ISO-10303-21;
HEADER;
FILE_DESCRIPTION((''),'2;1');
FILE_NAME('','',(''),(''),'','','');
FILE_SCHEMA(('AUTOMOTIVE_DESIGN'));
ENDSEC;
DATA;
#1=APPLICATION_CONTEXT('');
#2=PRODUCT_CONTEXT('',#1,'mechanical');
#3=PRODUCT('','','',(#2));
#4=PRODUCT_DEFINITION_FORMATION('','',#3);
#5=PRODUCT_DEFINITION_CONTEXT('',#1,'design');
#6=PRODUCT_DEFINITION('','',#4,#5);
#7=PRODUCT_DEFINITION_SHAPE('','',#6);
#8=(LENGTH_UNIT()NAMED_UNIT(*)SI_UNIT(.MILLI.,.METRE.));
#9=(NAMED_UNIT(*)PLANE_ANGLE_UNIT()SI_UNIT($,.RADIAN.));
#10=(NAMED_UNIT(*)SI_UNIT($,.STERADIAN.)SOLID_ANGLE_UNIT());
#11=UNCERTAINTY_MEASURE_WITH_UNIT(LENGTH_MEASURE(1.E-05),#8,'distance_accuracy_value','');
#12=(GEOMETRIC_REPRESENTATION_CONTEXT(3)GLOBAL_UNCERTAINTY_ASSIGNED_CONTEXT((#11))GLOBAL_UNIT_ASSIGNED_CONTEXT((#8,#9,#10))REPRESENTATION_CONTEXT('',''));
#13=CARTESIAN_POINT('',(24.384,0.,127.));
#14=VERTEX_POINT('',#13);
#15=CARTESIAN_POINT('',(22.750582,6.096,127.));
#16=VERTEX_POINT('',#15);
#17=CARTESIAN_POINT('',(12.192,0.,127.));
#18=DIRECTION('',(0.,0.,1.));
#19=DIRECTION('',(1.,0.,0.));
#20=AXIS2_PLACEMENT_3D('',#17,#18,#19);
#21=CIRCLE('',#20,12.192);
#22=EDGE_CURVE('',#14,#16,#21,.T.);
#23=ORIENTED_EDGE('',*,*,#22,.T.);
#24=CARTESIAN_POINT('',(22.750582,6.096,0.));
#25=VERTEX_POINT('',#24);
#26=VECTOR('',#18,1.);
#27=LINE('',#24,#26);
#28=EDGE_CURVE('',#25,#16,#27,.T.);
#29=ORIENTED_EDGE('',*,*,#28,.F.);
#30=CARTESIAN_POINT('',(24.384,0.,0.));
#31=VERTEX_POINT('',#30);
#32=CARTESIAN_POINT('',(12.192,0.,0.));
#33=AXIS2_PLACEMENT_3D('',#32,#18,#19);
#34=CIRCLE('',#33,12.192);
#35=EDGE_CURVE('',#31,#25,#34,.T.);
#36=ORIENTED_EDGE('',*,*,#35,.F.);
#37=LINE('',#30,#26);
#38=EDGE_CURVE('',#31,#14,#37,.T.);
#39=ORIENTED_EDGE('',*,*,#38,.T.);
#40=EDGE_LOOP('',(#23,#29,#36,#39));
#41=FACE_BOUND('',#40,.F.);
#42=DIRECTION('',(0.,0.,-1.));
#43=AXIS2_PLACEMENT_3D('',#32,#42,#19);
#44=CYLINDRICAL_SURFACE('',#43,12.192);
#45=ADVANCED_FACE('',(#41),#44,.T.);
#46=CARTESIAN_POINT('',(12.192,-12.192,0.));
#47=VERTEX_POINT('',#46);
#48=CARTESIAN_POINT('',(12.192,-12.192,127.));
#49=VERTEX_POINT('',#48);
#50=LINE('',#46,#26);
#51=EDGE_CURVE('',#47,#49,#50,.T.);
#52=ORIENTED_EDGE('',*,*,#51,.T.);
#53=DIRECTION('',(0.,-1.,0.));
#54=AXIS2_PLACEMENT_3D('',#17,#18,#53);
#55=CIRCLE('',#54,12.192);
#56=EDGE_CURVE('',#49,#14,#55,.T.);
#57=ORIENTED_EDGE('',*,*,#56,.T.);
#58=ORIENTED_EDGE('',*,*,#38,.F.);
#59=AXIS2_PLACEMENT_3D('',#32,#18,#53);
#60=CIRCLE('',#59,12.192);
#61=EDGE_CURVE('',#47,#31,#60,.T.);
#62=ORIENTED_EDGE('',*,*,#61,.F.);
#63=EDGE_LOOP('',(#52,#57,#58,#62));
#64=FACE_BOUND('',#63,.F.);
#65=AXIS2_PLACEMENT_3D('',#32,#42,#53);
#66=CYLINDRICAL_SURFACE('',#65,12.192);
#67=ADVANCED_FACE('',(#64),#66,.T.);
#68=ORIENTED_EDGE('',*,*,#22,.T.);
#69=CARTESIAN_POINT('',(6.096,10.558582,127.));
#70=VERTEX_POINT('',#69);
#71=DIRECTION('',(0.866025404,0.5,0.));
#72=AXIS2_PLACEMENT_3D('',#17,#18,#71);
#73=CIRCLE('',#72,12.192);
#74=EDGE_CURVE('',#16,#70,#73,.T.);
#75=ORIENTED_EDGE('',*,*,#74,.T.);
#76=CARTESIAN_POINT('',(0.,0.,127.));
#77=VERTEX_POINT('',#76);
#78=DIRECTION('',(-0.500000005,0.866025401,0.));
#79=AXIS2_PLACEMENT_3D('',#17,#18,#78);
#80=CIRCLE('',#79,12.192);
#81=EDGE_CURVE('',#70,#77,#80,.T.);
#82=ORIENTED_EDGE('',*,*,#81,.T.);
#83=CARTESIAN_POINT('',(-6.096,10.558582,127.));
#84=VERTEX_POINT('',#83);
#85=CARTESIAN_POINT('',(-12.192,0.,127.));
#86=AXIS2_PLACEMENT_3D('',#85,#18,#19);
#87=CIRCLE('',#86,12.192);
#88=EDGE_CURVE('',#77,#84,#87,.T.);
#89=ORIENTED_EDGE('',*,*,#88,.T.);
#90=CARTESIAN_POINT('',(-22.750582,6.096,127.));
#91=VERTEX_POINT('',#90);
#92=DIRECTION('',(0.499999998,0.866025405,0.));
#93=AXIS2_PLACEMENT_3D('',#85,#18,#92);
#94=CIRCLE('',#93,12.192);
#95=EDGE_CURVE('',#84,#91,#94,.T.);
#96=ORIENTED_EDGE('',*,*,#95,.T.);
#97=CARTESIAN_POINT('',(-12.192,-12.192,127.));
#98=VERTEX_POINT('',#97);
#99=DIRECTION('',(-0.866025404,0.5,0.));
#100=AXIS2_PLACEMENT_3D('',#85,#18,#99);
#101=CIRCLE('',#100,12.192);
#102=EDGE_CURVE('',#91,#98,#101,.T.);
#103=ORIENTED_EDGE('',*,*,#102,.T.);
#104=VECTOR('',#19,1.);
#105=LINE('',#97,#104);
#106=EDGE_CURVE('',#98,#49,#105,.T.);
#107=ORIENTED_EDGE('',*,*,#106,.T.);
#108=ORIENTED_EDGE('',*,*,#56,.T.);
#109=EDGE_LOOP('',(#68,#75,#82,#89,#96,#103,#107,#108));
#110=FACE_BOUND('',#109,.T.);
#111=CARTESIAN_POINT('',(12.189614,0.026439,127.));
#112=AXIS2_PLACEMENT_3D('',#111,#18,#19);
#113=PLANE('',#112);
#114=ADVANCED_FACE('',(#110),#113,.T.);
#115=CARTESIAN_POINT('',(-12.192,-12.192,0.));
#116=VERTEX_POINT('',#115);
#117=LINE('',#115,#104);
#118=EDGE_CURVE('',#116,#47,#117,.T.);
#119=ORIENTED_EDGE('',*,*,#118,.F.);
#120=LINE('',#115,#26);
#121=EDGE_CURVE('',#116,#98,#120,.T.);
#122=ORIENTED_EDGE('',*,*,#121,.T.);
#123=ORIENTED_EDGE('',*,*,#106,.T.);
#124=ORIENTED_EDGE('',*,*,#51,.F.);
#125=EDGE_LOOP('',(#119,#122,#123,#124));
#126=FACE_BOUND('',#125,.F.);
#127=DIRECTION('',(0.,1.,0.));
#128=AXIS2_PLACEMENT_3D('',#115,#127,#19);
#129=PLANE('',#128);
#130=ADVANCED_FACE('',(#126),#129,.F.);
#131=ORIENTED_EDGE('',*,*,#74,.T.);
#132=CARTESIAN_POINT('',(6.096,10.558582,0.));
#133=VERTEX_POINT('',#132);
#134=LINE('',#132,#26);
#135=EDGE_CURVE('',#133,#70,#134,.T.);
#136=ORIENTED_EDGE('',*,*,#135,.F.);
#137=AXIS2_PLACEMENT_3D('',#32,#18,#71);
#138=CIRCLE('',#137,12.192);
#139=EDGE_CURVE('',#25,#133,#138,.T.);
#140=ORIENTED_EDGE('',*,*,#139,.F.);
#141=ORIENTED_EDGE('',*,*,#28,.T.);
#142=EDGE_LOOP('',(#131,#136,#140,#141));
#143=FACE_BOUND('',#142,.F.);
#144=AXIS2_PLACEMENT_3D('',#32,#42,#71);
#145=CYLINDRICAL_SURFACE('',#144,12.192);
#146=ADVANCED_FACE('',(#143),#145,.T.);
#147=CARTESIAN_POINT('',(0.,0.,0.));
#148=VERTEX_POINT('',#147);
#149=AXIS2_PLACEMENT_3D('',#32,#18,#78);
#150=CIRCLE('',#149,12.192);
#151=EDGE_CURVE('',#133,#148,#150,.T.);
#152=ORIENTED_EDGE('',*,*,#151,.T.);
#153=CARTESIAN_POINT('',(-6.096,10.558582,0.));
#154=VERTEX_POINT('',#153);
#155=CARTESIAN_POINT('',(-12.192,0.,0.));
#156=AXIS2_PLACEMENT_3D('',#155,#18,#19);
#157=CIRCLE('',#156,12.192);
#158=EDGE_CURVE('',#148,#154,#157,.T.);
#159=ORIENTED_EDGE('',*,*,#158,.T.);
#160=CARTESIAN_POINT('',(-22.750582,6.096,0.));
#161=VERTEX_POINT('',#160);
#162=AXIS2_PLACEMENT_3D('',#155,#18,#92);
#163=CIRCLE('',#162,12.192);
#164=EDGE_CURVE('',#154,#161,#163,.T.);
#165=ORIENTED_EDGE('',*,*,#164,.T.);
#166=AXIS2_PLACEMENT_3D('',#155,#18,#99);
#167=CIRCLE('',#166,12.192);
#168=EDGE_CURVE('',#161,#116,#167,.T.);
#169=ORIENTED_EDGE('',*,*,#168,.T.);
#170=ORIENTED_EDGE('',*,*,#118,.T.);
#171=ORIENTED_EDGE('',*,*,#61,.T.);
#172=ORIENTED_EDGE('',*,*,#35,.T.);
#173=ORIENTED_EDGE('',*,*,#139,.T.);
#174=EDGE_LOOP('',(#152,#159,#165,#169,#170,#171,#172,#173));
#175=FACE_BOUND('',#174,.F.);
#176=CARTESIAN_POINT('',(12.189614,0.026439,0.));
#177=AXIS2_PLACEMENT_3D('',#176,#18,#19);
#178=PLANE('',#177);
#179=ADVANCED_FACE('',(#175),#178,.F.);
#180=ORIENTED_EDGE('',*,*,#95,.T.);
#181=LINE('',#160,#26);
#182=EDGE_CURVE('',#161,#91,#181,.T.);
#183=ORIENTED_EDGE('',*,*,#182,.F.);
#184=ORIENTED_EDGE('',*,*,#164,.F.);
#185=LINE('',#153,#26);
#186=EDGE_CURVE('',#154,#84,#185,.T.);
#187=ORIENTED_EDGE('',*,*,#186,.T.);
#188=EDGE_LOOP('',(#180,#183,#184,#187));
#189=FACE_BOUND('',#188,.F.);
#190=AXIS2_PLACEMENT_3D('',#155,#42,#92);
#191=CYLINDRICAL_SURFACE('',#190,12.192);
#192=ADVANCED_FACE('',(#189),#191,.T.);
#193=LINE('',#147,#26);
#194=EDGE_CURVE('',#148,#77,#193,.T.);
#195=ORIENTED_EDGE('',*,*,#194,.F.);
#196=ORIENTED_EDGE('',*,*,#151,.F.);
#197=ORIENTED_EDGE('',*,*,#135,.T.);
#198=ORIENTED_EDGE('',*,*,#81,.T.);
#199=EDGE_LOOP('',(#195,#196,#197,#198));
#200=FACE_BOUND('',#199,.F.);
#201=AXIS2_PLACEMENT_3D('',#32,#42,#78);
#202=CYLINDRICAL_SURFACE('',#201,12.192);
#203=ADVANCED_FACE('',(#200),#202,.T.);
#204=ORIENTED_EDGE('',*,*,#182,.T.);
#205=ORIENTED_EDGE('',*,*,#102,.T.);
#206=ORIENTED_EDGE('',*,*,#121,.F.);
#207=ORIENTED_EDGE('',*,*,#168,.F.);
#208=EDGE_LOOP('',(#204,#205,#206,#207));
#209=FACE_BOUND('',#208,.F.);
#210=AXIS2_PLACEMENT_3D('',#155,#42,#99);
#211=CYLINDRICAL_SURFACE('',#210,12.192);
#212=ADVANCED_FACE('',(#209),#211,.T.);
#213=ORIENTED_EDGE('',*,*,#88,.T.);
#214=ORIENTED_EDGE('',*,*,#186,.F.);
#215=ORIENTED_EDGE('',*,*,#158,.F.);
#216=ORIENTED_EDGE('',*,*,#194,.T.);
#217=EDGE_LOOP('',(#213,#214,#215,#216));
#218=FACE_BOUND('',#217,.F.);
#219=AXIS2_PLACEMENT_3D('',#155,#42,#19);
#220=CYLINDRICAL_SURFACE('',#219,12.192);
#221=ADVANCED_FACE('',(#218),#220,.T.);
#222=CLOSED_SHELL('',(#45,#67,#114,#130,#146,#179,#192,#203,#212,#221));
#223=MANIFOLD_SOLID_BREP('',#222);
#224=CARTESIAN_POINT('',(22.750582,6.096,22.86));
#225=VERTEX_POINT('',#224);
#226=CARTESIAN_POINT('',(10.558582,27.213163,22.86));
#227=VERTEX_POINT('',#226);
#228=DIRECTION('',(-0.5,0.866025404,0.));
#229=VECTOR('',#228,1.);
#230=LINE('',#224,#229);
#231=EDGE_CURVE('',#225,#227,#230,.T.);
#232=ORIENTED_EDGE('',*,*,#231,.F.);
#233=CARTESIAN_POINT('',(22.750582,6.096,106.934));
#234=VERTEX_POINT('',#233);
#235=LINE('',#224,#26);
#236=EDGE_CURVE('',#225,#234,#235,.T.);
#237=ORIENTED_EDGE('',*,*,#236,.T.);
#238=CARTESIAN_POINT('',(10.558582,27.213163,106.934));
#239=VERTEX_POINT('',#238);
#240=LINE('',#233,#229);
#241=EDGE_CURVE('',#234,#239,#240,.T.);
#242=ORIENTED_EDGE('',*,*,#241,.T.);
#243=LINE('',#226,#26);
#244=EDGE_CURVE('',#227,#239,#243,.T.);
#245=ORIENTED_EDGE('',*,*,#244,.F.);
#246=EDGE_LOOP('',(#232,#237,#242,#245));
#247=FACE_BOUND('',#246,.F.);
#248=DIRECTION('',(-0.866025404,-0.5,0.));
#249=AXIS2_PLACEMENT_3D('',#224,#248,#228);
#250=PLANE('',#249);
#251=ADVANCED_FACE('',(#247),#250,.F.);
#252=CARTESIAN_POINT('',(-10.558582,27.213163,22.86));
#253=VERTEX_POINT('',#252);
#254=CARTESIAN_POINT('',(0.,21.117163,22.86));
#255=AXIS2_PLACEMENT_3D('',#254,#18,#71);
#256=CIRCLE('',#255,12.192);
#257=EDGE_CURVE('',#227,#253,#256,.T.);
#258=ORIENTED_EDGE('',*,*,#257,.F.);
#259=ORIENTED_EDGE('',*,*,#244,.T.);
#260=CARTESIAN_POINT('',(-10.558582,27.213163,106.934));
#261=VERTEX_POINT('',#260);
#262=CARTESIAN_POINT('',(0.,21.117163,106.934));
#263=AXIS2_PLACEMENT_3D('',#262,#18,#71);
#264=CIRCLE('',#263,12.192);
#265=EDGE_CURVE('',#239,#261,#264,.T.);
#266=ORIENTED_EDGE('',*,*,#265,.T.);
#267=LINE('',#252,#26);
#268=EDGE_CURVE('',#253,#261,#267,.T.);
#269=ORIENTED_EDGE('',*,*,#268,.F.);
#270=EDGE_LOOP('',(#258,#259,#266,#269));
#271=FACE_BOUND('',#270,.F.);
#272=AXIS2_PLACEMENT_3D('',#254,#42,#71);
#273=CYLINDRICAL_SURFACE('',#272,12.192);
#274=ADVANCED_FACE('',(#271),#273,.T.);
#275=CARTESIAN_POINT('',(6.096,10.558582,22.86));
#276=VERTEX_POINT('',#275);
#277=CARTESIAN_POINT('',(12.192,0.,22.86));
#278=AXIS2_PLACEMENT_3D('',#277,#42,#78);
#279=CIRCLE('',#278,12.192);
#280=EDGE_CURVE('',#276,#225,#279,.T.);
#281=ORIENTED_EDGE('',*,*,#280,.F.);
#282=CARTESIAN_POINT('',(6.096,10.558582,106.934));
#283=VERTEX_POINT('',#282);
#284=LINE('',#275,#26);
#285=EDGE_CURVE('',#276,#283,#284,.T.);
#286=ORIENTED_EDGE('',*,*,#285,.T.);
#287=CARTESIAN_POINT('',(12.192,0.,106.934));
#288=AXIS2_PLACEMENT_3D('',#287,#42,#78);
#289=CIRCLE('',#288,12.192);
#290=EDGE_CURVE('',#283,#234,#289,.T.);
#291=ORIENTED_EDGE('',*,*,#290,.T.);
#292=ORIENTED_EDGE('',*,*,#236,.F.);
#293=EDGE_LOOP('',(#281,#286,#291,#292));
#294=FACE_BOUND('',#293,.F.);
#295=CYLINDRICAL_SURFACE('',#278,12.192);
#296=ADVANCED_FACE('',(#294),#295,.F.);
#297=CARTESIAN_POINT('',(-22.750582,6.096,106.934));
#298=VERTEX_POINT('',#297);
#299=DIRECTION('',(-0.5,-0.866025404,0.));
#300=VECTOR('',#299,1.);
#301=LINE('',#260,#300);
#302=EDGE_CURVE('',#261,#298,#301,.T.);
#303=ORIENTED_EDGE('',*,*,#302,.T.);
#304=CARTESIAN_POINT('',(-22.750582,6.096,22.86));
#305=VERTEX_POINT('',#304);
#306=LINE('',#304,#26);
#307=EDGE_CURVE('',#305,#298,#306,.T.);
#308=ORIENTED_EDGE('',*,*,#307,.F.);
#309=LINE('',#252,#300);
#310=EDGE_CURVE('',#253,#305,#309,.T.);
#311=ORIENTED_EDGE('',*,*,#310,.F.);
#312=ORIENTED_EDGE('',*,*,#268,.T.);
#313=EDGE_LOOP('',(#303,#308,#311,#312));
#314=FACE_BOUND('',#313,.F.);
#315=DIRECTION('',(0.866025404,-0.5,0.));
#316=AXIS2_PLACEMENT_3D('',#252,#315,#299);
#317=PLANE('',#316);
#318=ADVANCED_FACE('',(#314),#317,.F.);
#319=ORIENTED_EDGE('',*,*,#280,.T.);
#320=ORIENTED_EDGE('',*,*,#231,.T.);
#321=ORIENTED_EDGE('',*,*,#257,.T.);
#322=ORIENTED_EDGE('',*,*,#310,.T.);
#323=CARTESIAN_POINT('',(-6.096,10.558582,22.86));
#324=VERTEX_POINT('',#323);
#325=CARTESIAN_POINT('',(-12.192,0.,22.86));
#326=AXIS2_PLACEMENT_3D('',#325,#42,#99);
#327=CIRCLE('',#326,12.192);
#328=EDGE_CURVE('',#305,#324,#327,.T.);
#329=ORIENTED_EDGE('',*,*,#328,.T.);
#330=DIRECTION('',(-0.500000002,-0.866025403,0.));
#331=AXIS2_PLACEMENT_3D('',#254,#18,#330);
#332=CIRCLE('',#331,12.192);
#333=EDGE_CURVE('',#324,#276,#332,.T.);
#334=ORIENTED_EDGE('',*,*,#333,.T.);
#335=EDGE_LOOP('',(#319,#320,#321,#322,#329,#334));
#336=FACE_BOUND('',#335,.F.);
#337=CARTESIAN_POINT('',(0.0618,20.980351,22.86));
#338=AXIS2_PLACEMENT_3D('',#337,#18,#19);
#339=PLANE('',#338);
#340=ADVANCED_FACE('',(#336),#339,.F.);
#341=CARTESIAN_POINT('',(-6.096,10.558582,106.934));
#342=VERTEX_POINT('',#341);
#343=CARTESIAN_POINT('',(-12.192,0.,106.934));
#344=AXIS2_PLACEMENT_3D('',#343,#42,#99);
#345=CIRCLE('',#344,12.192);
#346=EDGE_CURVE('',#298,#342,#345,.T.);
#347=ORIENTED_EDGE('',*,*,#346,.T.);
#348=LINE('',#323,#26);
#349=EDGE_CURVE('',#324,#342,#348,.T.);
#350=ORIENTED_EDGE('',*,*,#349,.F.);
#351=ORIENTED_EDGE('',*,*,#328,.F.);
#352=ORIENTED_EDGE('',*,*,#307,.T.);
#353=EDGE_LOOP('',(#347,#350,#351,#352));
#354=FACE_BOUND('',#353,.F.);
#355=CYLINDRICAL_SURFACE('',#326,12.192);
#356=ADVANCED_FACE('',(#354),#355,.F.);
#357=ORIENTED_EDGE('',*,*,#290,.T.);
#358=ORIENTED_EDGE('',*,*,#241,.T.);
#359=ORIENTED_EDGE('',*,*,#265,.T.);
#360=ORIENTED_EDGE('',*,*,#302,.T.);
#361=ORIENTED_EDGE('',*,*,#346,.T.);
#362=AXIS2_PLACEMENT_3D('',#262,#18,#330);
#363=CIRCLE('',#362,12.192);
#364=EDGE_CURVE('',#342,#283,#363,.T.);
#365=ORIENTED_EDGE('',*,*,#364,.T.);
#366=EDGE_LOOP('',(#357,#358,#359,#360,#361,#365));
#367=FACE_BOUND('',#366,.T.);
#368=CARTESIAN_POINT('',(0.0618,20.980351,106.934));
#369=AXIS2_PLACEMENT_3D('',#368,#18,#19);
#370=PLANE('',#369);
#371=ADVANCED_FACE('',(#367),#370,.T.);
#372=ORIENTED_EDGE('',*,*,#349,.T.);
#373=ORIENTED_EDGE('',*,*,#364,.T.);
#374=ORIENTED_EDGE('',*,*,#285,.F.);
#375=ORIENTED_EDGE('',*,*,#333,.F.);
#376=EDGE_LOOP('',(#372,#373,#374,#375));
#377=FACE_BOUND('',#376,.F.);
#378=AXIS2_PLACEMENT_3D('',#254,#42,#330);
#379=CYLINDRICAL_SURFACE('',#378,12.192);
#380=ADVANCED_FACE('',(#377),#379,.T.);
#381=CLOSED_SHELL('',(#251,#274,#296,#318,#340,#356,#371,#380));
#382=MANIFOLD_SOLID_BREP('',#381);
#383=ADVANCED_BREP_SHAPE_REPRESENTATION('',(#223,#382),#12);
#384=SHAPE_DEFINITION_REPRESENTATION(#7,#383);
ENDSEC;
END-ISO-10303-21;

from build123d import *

# Parameters (mm, degrees)
F1_DEPTH = 127
F2_START = 22.86
F2_DEPTH = 84.074


with BuildPart() as f1:
    # F0 (on Top) → F1 (new body)
    with BuildSketch(Plane.XY):
        with BuildLine():
            ThreePointArc((6.0959999394, 10.5585816879), (1.6334182596, 6.0959999697), (0, 0))
            ThreePointArc((0, 0), (3.5709541238, -8.6210458762), (12.192, -12.192))
            ThreePointArc((12.192, -12.192), (20.8130458762, -8.6210458762), (24.384, 0))
            ThreePointArc((24.384, 0), (23.9685676741, 3.1555217979), (22.7505817229, 6.096))
            ThreePointArc((22.7505817229, 6.096), (15.3475217641, 11.7765676832), (6.0959999394, 10.5585816879))
        make_face()
        with BuildLine():
            ThreePointArc((-6.0960000213, 10.5585817352), (-15.3475218097, 11.7765676709), (-22.7505817229, 6.096))
            ThreePointArc((-22.7505817229, 6.096), (-22.7505817229, -6.096), (-12.192, -12.192))
            ThreePointArc((-12.192, -12.192), (-3.5709541238, -8.6210458762), (0, 0))
            ThreePointArc((0, 0), (-1.6334182832, 6.0960000106), (-6.0960000213, 10.5585817352))
        make_face()
        with BuildLine():
            ThreePointArc((0, 0), (-3.5709541238, -8.6210458762), (-12.192, -12.192))
            Line((-12.192, -12.192), (12.192, -12.192))
            ThreePointArc((12.192, -12.192), (3.5709541238, -8.6210458762), (0, 0))
        make_face()
    extrude(amount=F1_DEPTH)


with BuildPart() as f2:
    # F0 (on Top) → F2 (new body)
    with BuildSketch(Plane.XY.offset(F2_START)):
        with BuildLine():
            ThreePointArc((-10.5585817229, 27.2131634459), (-11.7765676773, 17.9616416598), (-6.0960000213, 10.5585817352))
            ThreePointArc((-6.0960000213, 10.5585817352), (-4.73e-08, 8.9251634459), (6.0959999394, 10.5585816879))
            ThreePointArc((6.0959999394, 10.5585816879), (10.5585817054, 15.0211634156), (12.192, 21.1171634459))
            ThreePointArc((12.192, 21.1171634459), (11.7765676741, 24.2726852438), (10.5585817229, 27.2131634459))
            ThreePointArc((10.5585817229, 27.2131634459), (0, 33.3091634459), (-10.5585817229, 27.2131634459))
        make_face()
        with BuildLine():
            ThreePointArc((12.192, 21.1171634459), (10.5585817054, 15.0211634156), (6.0959999394, 10.5585816879))
            ThreePointArc((6.0959999394, 10.5585816879), (15.3475217641, 11.7765676832), (22.7505817229, 6.096))
            Line((22.7505817229, 6.096), (10.5585817229, 27.2131634459))
            ThreePointArc((10.5585817229, 27.2131634459), (11.7765676741, 24.2726852438), (12.192, 21.1171634459))
        make_face()
        with BuildLine():
            Line((-10.5585817229, 27.2131634459), (-22.7505817229, 6.096))
            ThreePointArc((-22.7505817229, 6.096), (-15.3475218097, 11.7765676709), (-6.0960000213, 10.5585817352))
            ThreePointArc((-6.0960000213, 10.5585817352), (-11.7765676773, 17.9616416598), (-10.5585817229, 27.2131634459))
        make_face()
    extrude(amount=F2_DEPTH)


solid = Compound([f1.part, f2.part])
